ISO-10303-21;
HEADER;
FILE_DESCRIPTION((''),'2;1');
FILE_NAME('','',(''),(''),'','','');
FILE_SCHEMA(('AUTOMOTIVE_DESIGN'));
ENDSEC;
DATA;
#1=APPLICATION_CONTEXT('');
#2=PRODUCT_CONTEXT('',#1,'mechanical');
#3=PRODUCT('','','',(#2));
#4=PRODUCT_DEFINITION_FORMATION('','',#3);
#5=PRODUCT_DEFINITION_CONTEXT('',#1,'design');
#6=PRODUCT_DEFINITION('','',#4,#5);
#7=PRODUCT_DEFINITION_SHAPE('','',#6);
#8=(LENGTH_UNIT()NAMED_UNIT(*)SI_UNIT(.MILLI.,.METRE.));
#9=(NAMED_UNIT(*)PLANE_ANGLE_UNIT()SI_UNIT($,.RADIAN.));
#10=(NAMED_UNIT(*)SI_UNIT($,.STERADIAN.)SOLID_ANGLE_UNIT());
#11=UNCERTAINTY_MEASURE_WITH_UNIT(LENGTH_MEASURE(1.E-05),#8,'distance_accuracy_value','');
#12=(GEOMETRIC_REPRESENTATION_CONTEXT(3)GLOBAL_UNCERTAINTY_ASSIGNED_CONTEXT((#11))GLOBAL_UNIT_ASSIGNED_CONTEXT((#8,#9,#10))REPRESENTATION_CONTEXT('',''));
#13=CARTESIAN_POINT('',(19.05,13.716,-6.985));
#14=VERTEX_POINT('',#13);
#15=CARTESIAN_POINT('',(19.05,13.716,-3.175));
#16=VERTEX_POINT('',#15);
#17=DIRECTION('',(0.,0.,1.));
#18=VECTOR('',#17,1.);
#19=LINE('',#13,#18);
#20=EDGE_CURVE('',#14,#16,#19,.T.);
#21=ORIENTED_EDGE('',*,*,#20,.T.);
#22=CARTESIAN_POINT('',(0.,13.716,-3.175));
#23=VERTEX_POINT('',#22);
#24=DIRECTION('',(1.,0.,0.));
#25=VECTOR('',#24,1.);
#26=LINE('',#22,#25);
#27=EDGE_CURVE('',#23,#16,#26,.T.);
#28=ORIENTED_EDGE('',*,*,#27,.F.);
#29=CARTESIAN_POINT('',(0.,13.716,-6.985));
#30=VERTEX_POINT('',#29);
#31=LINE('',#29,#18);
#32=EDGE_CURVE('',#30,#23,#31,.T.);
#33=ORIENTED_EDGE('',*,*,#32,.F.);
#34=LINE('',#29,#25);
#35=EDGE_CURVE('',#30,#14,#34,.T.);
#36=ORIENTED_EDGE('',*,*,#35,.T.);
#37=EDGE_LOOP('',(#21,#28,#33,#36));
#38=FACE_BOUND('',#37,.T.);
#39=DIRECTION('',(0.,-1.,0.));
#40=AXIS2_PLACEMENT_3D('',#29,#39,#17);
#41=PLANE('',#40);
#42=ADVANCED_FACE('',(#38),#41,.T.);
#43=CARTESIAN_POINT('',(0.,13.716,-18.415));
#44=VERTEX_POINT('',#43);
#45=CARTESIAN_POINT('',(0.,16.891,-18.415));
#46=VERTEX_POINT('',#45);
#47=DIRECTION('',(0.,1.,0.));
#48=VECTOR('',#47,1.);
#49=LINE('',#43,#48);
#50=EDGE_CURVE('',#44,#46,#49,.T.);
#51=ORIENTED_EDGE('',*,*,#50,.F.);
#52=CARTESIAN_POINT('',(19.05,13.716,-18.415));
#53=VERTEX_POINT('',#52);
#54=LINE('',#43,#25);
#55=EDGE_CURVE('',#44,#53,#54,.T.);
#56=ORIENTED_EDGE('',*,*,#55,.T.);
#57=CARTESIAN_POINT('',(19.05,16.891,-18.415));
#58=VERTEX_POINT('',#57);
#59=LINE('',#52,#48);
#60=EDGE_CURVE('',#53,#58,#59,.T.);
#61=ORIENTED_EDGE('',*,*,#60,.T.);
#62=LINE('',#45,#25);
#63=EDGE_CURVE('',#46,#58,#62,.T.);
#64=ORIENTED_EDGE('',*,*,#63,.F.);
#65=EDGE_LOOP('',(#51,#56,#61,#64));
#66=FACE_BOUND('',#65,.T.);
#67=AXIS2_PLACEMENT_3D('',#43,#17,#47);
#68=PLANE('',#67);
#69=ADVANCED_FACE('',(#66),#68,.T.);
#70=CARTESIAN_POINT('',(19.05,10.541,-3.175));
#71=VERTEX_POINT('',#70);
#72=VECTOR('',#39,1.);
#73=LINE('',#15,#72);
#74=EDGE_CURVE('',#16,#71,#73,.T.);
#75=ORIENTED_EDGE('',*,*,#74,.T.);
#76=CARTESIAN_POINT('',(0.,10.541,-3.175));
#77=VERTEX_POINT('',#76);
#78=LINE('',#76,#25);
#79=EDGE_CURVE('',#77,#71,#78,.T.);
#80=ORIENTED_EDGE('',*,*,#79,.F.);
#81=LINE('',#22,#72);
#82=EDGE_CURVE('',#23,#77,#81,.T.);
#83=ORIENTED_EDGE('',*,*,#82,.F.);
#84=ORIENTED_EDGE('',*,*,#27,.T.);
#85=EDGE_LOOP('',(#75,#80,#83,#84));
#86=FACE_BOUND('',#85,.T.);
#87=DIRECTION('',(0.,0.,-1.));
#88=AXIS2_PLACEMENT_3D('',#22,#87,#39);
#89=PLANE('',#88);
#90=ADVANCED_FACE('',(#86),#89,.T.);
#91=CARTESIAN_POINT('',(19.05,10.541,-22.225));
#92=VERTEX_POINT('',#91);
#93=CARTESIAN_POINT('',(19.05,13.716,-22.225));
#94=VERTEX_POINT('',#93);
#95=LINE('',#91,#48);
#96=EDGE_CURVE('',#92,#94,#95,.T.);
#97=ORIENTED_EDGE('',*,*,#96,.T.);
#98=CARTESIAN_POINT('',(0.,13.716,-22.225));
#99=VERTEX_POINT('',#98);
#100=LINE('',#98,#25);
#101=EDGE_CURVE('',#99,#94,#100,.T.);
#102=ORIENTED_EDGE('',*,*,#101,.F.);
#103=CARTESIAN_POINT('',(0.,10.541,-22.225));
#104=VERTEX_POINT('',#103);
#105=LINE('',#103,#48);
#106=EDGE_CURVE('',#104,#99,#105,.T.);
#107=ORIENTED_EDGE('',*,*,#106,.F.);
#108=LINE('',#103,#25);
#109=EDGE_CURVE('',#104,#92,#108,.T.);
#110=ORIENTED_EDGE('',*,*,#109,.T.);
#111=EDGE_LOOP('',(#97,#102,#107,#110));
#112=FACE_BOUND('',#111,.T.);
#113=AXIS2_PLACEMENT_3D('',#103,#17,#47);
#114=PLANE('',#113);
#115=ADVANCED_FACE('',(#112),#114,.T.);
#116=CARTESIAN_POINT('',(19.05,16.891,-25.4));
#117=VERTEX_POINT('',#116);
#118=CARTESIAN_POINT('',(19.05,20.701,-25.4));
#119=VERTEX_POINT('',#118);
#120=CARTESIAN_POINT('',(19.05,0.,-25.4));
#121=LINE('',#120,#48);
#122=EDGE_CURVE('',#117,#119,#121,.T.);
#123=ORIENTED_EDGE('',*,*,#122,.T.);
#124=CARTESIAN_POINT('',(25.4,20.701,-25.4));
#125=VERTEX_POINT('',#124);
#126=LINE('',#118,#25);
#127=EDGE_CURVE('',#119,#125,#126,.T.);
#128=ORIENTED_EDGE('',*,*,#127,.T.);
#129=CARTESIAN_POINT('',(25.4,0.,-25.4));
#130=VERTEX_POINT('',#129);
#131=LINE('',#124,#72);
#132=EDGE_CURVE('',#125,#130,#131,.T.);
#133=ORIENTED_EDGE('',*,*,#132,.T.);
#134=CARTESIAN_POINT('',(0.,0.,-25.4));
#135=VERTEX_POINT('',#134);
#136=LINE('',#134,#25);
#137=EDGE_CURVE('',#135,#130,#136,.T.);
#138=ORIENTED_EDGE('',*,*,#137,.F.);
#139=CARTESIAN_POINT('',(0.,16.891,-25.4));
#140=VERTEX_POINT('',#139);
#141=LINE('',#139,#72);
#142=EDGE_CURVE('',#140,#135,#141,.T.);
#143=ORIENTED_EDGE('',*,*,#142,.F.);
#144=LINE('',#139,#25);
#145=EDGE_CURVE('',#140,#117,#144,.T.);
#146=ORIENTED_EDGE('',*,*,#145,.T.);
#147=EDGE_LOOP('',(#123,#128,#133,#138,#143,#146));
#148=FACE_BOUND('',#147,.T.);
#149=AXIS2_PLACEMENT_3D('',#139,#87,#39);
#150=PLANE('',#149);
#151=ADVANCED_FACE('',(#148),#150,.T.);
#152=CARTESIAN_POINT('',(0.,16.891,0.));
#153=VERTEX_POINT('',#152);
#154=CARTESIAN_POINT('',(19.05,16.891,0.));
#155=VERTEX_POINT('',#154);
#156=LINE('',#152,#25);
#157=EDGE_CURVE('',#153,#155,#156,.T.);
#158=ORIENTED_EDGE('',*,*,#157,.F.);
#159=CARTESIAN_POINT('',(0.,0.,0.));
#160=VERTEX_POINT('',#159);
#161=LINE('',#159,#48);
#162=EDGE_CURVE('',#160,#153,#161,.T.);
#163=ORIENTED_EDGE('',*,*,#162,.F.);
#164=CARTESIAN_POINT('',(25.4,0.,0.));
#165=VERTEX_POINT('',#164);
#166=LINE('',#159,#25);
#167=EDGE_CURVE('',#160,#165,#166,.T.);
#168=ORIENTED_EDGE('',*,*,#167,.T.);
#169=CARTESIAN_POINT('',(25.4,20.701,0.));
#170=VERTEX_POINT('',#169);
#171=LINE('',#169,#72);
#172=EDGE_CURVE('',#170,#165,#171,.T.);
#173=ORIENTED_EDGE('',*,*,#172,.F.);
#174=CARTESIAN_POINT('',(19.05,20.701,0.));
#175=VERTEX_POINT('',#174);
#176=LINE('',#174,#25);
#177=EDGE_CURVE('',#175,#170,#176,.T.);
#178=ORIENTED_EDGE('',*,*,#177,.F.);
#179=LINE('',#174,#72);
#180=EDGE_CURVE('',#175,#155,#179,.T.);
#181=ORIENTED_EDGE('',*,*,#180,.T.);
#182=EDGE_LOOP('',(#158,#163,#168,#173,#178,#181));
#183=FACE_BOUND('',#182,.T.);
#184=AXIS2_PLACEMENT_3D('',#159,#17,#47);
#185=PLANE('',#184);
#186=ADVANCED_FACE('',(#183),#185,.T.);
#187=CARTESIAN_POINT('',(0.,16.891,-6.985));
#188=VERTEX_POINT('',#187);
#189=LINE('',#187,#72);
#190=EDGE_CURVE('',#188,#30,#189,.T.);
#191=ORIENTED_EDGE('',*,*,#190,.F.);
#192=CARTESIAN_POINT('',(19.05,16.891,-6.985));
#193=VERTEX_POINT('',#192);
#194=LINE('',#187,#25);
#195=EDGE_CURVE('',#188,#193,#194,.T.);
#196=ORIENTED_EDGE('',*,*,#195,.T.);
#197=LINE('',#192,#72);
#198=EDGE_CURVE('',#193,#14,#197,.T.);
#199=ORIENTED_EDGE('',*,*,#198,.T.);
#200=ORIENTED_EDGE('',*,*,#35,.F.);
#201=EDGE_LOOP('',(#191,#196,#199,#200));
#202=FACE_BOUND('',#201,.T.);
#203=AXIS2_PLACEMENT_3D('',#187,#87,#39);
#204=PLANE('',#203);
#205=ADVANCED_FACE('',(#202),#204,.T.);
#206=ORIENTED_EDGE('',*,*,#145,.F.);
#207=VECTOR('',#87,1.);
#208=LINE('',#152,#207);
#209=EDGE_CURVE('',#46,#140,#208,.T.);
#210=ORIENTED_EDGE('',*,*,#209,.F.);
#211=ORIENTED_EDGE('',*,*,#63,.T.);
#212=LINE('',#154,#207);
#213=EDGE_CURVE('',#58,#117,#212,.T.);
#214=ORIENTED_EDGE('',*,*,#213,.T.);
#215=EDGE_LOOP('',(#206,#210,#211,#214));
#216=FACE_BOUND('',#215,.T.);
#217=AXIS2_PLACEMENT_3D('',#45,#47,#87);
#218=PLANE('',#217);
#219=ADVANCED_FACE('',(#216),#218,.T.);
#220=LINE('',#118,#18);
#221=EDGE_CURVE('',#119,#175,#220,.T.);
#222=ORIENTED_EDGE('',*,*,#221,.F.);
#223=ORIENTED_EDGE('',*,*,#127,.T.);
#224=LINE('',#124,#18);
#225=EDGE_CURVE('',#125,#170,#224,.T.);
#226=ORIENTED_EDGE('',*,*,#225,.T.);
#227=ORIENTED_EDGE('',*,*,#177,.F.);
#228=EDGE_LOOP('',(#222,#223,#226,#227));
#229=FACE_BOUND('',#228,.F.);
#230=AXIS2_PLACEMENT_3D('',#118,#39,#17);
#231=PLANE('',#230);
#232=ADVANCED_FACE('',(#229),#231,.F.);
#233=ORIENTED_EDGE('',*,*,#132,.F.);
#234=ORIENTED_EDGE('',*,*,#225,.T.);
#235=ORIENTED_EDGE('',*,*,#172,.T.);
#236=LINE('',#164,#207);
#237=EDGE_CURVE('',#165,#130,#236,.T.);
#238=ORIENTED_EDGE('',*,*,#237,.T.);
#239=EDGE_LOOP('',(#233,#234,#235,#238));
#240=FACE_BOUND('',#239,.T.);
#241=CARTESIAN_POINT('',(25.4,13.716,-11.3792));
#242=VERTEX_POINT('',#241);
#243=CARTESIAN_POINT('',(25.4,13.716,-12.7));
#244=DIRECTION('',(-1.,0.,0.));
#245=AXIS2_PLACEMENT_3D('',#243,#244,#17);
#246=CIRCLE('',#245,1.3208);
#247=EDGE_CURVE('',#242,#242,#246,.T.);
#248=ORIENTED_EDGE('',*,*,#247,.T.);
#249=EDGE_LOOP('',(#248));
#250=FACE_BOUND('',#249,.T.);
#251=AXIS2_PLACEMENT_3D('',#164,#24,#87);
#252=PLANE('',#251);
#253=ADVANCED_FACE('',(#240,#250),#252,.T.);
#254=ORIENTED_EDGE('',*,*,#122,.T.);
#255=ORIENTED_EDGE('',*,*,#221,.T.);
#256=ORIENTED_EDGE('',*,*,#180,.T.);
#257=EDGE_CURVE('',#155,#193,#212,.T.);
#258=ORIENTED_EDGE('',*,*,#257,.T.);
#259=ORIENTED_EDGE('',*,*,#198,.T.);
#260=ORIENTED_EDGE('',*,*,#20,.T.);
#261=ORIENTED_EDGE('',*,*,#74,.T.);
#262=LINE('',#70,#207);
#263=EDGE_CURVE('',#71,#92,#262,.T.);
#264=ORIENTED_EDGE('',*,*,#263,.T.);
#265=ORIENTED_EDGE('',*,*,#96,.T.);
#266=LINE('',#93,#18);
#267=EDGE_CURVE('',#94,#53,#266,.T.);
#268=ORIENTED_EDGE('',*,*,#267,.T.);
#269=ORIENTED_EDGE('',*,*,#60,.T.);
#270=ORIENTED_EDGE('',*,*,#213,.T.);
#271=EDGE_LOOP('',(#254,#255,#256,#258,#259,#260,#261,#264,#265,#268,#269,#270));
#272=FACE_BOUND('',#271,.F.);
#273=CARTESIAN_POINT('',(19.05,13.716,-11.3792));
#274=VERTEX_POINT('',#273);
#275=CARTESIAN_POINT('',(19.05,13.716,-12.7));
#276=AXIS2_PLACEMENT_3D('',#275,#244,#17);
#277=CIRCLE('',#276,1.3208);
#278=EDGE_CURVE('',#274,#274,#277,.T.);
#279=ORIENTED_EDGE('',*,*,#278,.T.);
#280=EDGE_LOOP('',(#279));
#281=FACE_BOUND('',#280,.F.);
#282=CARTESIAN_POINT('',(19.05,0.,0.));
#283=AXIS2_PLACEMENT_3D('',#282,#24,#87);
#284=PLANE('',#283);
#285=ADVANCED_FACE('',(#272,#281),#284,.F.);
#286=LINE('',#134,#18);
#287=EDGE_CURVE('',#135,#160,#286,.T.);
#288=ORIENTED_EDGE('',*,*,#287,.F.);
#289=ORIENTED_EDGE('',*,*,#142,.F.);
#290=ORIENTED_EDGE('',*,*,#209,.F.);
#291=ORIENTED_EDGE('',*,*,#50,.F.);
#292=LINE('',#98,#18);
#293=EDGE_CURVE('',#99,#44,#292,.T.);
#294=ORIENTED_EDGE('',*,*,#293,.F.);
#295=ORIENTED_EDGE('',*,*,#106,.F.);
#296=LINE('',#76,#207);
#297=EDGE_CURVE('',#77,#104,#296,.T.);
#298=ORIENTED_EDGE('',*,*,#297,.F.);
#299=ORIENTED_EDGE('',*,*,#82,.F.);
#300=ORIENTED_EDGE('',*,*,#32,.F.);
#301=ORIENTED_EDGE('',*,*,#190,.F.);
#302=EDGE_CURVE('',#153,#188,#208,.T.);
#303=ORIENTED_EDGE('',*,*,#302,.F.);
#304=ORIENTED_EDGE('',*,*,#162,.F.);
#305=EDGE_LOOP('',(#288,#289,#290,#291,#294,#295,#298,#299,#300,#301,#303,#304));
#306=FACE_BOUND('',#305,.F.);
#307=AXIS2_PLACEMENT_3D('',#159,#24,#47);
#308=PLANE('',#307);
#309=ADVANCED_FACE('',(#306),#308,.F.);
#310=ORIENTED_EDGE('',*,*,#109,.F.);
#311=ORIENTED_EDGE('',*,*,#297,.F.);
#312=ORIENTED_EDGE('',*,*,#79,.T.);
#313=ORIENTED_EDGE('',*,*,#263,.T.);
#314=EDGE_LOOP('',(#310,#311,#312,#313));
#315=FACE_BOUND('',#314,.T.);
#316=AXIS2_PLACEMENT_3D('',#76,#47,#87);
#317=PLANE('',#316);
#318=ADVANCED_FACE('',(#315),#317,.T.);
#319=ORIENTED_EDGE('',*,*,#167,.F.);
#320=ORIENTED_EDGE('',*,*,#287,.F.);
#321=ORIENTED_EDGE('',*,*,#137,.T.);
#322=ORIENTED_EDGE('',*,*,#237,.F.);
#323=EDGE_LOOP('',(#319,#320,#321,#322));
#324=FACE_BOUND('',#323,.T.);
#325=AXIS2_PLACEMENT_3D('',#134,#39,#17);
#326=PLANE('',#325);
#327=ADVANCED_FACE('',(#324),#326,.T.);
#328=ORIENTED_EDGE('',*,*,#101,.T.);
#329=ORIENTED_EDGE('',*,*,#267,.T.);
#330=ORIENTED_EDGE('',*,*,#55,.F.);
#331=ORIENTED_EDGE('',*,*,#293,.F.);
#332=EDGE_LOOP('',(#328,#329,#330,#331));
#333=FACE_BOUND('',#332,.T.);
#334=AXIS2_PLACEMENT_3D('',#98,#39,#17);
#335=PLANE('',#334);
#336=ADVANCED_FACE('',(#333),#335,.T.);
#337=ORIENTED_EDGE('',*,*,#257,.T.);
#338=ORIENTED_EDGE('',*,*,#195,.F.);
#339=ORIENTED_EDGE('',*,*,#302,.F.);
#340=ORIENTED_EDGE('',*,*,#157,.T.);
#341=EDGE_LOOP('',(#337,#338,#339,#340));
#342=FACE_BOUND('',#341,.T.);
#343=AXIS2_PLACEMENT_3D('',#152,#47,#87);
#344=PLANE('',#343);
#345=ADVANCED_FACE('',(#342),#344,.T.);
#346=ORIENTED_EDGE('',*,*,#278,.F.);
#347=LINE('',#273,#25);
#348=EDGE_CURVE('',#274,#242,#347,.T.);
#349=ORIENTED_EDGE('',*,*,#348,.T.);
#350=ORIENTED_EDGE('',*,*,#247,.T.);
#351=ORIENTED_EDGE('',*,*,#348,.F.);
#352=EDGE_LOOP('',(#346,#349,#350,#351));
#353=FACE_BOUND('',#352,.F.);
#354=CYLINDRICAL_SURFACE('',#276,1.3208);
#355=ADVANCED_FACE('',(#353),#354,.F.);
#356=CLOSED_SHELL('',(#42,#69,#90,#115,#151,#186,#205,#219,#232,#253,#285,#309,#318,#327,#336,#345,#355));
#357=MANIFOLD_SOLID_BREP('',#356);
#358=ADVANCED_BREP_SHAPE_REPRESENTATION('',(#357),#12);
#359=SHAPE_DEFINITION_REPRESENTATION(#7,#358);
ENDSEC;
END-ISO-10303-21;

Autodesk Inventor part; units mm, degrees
ref_plane "YZ Plane" through (0, 0, 0) normal (1, 0, 0) x (0, 1, 0)
ref_plane "XZ Plane" through (0, 0, 0) normal (0, 1, 0) x (-1, 0, 0)
ref_plane "XY Plane" through (0, 0, 0) normal (0, 0, 1) x (1, 0, 0)
sketch "Sketch1" plane through (0, 0, 0) normal (1, 0, 0) x (0, 1, 0)
  line L0 (0, 0) -> (16.891, 0)
  line L1 (16.891, 0) -> (16.891, -25.4)
  line L2 (16.891, -25.4) -> (0, -25.4)
  line L3 (0, -25.4) -> (0, 0)
  line L4 (16.891, -6.985) -> (13.716, -6.985)
  line L5 (13.716, -6.985) -> (13.716, -3.175)
  line L6 (13.716, -3.175) -> (10.541, -3.175)
  line L7 (10.541, -3.175) -> (10.541, -22.225)
  line L8 (10.541, -22.225) -> (13.716, -22.225)
  line L9 (13.716, -22.225) -> (13.716, -18.415)
  line L10 (13.716, -18.415) -> (16.891, -18.415)
  dimension "d0" = 25.4
  dimension "d1" = 11.43
  dimension "d2" = 19.05
  dimension "d3" = 3.81
  dimension "d4" = 6.985
  dimension "d5" = 3.175
  dimension "d6" = 6.35
  dimension "d7" = 16.891
extrude "Extrusion1" add sketch "Sketch1" along normal blind 19.05 contours L0 L1 L4 L5 L6 L7 L8 L9 L10 L2 L3
sketch "Sketch2" plane through (19.05, 0, 0) normal (1, 0, 0) x (0, 0, -1)
  line L0 (0, 0) -> (25.4, 0)
  line L1 (25.4, 0) -> (25.4, 20.701)
  line L2 (25.4, 20.701) -> (0, 20.701)
  line L3 (0, 20.701) -> (0, 0)
  line L4 (25.4, 16.891) -> (18.415, 16.891) projected
  dimension "d10" = 3.81
  dimension "d11" = 25.4
extrude "Extrusion2" add sketch "Sketch2" along normal blind 6.35
sketch "Sketch4" plane through (19.05, 0, 0) normal (-1, 0, 0) x (0, 0, 1)
  circle A0 centre (-12.7, 13.716) radius 1.3208
  line L0 (0, 16.891) -> (0, 0) projected
  line L1 (-22.225, 10.541) -> (-3.175, 10.541) projected
  line L2 (-3.175, 13.716) -> (-6.985, 13.716) projected
  dimension "d21" = 2.6416
  dimension "d22" = 12.7
  dimension "d23" = 3.175
  dimension "d24" = 0
extrude "Extrusion3" cut sketch "Sketch4" against normal through all
equation "\"d3\" = -0.5 * d1 + 0.5 * d2"
equation "\"d4\" = -0.5 * d1 + 0.5 * d0"
properties part number "tenshoner base"
